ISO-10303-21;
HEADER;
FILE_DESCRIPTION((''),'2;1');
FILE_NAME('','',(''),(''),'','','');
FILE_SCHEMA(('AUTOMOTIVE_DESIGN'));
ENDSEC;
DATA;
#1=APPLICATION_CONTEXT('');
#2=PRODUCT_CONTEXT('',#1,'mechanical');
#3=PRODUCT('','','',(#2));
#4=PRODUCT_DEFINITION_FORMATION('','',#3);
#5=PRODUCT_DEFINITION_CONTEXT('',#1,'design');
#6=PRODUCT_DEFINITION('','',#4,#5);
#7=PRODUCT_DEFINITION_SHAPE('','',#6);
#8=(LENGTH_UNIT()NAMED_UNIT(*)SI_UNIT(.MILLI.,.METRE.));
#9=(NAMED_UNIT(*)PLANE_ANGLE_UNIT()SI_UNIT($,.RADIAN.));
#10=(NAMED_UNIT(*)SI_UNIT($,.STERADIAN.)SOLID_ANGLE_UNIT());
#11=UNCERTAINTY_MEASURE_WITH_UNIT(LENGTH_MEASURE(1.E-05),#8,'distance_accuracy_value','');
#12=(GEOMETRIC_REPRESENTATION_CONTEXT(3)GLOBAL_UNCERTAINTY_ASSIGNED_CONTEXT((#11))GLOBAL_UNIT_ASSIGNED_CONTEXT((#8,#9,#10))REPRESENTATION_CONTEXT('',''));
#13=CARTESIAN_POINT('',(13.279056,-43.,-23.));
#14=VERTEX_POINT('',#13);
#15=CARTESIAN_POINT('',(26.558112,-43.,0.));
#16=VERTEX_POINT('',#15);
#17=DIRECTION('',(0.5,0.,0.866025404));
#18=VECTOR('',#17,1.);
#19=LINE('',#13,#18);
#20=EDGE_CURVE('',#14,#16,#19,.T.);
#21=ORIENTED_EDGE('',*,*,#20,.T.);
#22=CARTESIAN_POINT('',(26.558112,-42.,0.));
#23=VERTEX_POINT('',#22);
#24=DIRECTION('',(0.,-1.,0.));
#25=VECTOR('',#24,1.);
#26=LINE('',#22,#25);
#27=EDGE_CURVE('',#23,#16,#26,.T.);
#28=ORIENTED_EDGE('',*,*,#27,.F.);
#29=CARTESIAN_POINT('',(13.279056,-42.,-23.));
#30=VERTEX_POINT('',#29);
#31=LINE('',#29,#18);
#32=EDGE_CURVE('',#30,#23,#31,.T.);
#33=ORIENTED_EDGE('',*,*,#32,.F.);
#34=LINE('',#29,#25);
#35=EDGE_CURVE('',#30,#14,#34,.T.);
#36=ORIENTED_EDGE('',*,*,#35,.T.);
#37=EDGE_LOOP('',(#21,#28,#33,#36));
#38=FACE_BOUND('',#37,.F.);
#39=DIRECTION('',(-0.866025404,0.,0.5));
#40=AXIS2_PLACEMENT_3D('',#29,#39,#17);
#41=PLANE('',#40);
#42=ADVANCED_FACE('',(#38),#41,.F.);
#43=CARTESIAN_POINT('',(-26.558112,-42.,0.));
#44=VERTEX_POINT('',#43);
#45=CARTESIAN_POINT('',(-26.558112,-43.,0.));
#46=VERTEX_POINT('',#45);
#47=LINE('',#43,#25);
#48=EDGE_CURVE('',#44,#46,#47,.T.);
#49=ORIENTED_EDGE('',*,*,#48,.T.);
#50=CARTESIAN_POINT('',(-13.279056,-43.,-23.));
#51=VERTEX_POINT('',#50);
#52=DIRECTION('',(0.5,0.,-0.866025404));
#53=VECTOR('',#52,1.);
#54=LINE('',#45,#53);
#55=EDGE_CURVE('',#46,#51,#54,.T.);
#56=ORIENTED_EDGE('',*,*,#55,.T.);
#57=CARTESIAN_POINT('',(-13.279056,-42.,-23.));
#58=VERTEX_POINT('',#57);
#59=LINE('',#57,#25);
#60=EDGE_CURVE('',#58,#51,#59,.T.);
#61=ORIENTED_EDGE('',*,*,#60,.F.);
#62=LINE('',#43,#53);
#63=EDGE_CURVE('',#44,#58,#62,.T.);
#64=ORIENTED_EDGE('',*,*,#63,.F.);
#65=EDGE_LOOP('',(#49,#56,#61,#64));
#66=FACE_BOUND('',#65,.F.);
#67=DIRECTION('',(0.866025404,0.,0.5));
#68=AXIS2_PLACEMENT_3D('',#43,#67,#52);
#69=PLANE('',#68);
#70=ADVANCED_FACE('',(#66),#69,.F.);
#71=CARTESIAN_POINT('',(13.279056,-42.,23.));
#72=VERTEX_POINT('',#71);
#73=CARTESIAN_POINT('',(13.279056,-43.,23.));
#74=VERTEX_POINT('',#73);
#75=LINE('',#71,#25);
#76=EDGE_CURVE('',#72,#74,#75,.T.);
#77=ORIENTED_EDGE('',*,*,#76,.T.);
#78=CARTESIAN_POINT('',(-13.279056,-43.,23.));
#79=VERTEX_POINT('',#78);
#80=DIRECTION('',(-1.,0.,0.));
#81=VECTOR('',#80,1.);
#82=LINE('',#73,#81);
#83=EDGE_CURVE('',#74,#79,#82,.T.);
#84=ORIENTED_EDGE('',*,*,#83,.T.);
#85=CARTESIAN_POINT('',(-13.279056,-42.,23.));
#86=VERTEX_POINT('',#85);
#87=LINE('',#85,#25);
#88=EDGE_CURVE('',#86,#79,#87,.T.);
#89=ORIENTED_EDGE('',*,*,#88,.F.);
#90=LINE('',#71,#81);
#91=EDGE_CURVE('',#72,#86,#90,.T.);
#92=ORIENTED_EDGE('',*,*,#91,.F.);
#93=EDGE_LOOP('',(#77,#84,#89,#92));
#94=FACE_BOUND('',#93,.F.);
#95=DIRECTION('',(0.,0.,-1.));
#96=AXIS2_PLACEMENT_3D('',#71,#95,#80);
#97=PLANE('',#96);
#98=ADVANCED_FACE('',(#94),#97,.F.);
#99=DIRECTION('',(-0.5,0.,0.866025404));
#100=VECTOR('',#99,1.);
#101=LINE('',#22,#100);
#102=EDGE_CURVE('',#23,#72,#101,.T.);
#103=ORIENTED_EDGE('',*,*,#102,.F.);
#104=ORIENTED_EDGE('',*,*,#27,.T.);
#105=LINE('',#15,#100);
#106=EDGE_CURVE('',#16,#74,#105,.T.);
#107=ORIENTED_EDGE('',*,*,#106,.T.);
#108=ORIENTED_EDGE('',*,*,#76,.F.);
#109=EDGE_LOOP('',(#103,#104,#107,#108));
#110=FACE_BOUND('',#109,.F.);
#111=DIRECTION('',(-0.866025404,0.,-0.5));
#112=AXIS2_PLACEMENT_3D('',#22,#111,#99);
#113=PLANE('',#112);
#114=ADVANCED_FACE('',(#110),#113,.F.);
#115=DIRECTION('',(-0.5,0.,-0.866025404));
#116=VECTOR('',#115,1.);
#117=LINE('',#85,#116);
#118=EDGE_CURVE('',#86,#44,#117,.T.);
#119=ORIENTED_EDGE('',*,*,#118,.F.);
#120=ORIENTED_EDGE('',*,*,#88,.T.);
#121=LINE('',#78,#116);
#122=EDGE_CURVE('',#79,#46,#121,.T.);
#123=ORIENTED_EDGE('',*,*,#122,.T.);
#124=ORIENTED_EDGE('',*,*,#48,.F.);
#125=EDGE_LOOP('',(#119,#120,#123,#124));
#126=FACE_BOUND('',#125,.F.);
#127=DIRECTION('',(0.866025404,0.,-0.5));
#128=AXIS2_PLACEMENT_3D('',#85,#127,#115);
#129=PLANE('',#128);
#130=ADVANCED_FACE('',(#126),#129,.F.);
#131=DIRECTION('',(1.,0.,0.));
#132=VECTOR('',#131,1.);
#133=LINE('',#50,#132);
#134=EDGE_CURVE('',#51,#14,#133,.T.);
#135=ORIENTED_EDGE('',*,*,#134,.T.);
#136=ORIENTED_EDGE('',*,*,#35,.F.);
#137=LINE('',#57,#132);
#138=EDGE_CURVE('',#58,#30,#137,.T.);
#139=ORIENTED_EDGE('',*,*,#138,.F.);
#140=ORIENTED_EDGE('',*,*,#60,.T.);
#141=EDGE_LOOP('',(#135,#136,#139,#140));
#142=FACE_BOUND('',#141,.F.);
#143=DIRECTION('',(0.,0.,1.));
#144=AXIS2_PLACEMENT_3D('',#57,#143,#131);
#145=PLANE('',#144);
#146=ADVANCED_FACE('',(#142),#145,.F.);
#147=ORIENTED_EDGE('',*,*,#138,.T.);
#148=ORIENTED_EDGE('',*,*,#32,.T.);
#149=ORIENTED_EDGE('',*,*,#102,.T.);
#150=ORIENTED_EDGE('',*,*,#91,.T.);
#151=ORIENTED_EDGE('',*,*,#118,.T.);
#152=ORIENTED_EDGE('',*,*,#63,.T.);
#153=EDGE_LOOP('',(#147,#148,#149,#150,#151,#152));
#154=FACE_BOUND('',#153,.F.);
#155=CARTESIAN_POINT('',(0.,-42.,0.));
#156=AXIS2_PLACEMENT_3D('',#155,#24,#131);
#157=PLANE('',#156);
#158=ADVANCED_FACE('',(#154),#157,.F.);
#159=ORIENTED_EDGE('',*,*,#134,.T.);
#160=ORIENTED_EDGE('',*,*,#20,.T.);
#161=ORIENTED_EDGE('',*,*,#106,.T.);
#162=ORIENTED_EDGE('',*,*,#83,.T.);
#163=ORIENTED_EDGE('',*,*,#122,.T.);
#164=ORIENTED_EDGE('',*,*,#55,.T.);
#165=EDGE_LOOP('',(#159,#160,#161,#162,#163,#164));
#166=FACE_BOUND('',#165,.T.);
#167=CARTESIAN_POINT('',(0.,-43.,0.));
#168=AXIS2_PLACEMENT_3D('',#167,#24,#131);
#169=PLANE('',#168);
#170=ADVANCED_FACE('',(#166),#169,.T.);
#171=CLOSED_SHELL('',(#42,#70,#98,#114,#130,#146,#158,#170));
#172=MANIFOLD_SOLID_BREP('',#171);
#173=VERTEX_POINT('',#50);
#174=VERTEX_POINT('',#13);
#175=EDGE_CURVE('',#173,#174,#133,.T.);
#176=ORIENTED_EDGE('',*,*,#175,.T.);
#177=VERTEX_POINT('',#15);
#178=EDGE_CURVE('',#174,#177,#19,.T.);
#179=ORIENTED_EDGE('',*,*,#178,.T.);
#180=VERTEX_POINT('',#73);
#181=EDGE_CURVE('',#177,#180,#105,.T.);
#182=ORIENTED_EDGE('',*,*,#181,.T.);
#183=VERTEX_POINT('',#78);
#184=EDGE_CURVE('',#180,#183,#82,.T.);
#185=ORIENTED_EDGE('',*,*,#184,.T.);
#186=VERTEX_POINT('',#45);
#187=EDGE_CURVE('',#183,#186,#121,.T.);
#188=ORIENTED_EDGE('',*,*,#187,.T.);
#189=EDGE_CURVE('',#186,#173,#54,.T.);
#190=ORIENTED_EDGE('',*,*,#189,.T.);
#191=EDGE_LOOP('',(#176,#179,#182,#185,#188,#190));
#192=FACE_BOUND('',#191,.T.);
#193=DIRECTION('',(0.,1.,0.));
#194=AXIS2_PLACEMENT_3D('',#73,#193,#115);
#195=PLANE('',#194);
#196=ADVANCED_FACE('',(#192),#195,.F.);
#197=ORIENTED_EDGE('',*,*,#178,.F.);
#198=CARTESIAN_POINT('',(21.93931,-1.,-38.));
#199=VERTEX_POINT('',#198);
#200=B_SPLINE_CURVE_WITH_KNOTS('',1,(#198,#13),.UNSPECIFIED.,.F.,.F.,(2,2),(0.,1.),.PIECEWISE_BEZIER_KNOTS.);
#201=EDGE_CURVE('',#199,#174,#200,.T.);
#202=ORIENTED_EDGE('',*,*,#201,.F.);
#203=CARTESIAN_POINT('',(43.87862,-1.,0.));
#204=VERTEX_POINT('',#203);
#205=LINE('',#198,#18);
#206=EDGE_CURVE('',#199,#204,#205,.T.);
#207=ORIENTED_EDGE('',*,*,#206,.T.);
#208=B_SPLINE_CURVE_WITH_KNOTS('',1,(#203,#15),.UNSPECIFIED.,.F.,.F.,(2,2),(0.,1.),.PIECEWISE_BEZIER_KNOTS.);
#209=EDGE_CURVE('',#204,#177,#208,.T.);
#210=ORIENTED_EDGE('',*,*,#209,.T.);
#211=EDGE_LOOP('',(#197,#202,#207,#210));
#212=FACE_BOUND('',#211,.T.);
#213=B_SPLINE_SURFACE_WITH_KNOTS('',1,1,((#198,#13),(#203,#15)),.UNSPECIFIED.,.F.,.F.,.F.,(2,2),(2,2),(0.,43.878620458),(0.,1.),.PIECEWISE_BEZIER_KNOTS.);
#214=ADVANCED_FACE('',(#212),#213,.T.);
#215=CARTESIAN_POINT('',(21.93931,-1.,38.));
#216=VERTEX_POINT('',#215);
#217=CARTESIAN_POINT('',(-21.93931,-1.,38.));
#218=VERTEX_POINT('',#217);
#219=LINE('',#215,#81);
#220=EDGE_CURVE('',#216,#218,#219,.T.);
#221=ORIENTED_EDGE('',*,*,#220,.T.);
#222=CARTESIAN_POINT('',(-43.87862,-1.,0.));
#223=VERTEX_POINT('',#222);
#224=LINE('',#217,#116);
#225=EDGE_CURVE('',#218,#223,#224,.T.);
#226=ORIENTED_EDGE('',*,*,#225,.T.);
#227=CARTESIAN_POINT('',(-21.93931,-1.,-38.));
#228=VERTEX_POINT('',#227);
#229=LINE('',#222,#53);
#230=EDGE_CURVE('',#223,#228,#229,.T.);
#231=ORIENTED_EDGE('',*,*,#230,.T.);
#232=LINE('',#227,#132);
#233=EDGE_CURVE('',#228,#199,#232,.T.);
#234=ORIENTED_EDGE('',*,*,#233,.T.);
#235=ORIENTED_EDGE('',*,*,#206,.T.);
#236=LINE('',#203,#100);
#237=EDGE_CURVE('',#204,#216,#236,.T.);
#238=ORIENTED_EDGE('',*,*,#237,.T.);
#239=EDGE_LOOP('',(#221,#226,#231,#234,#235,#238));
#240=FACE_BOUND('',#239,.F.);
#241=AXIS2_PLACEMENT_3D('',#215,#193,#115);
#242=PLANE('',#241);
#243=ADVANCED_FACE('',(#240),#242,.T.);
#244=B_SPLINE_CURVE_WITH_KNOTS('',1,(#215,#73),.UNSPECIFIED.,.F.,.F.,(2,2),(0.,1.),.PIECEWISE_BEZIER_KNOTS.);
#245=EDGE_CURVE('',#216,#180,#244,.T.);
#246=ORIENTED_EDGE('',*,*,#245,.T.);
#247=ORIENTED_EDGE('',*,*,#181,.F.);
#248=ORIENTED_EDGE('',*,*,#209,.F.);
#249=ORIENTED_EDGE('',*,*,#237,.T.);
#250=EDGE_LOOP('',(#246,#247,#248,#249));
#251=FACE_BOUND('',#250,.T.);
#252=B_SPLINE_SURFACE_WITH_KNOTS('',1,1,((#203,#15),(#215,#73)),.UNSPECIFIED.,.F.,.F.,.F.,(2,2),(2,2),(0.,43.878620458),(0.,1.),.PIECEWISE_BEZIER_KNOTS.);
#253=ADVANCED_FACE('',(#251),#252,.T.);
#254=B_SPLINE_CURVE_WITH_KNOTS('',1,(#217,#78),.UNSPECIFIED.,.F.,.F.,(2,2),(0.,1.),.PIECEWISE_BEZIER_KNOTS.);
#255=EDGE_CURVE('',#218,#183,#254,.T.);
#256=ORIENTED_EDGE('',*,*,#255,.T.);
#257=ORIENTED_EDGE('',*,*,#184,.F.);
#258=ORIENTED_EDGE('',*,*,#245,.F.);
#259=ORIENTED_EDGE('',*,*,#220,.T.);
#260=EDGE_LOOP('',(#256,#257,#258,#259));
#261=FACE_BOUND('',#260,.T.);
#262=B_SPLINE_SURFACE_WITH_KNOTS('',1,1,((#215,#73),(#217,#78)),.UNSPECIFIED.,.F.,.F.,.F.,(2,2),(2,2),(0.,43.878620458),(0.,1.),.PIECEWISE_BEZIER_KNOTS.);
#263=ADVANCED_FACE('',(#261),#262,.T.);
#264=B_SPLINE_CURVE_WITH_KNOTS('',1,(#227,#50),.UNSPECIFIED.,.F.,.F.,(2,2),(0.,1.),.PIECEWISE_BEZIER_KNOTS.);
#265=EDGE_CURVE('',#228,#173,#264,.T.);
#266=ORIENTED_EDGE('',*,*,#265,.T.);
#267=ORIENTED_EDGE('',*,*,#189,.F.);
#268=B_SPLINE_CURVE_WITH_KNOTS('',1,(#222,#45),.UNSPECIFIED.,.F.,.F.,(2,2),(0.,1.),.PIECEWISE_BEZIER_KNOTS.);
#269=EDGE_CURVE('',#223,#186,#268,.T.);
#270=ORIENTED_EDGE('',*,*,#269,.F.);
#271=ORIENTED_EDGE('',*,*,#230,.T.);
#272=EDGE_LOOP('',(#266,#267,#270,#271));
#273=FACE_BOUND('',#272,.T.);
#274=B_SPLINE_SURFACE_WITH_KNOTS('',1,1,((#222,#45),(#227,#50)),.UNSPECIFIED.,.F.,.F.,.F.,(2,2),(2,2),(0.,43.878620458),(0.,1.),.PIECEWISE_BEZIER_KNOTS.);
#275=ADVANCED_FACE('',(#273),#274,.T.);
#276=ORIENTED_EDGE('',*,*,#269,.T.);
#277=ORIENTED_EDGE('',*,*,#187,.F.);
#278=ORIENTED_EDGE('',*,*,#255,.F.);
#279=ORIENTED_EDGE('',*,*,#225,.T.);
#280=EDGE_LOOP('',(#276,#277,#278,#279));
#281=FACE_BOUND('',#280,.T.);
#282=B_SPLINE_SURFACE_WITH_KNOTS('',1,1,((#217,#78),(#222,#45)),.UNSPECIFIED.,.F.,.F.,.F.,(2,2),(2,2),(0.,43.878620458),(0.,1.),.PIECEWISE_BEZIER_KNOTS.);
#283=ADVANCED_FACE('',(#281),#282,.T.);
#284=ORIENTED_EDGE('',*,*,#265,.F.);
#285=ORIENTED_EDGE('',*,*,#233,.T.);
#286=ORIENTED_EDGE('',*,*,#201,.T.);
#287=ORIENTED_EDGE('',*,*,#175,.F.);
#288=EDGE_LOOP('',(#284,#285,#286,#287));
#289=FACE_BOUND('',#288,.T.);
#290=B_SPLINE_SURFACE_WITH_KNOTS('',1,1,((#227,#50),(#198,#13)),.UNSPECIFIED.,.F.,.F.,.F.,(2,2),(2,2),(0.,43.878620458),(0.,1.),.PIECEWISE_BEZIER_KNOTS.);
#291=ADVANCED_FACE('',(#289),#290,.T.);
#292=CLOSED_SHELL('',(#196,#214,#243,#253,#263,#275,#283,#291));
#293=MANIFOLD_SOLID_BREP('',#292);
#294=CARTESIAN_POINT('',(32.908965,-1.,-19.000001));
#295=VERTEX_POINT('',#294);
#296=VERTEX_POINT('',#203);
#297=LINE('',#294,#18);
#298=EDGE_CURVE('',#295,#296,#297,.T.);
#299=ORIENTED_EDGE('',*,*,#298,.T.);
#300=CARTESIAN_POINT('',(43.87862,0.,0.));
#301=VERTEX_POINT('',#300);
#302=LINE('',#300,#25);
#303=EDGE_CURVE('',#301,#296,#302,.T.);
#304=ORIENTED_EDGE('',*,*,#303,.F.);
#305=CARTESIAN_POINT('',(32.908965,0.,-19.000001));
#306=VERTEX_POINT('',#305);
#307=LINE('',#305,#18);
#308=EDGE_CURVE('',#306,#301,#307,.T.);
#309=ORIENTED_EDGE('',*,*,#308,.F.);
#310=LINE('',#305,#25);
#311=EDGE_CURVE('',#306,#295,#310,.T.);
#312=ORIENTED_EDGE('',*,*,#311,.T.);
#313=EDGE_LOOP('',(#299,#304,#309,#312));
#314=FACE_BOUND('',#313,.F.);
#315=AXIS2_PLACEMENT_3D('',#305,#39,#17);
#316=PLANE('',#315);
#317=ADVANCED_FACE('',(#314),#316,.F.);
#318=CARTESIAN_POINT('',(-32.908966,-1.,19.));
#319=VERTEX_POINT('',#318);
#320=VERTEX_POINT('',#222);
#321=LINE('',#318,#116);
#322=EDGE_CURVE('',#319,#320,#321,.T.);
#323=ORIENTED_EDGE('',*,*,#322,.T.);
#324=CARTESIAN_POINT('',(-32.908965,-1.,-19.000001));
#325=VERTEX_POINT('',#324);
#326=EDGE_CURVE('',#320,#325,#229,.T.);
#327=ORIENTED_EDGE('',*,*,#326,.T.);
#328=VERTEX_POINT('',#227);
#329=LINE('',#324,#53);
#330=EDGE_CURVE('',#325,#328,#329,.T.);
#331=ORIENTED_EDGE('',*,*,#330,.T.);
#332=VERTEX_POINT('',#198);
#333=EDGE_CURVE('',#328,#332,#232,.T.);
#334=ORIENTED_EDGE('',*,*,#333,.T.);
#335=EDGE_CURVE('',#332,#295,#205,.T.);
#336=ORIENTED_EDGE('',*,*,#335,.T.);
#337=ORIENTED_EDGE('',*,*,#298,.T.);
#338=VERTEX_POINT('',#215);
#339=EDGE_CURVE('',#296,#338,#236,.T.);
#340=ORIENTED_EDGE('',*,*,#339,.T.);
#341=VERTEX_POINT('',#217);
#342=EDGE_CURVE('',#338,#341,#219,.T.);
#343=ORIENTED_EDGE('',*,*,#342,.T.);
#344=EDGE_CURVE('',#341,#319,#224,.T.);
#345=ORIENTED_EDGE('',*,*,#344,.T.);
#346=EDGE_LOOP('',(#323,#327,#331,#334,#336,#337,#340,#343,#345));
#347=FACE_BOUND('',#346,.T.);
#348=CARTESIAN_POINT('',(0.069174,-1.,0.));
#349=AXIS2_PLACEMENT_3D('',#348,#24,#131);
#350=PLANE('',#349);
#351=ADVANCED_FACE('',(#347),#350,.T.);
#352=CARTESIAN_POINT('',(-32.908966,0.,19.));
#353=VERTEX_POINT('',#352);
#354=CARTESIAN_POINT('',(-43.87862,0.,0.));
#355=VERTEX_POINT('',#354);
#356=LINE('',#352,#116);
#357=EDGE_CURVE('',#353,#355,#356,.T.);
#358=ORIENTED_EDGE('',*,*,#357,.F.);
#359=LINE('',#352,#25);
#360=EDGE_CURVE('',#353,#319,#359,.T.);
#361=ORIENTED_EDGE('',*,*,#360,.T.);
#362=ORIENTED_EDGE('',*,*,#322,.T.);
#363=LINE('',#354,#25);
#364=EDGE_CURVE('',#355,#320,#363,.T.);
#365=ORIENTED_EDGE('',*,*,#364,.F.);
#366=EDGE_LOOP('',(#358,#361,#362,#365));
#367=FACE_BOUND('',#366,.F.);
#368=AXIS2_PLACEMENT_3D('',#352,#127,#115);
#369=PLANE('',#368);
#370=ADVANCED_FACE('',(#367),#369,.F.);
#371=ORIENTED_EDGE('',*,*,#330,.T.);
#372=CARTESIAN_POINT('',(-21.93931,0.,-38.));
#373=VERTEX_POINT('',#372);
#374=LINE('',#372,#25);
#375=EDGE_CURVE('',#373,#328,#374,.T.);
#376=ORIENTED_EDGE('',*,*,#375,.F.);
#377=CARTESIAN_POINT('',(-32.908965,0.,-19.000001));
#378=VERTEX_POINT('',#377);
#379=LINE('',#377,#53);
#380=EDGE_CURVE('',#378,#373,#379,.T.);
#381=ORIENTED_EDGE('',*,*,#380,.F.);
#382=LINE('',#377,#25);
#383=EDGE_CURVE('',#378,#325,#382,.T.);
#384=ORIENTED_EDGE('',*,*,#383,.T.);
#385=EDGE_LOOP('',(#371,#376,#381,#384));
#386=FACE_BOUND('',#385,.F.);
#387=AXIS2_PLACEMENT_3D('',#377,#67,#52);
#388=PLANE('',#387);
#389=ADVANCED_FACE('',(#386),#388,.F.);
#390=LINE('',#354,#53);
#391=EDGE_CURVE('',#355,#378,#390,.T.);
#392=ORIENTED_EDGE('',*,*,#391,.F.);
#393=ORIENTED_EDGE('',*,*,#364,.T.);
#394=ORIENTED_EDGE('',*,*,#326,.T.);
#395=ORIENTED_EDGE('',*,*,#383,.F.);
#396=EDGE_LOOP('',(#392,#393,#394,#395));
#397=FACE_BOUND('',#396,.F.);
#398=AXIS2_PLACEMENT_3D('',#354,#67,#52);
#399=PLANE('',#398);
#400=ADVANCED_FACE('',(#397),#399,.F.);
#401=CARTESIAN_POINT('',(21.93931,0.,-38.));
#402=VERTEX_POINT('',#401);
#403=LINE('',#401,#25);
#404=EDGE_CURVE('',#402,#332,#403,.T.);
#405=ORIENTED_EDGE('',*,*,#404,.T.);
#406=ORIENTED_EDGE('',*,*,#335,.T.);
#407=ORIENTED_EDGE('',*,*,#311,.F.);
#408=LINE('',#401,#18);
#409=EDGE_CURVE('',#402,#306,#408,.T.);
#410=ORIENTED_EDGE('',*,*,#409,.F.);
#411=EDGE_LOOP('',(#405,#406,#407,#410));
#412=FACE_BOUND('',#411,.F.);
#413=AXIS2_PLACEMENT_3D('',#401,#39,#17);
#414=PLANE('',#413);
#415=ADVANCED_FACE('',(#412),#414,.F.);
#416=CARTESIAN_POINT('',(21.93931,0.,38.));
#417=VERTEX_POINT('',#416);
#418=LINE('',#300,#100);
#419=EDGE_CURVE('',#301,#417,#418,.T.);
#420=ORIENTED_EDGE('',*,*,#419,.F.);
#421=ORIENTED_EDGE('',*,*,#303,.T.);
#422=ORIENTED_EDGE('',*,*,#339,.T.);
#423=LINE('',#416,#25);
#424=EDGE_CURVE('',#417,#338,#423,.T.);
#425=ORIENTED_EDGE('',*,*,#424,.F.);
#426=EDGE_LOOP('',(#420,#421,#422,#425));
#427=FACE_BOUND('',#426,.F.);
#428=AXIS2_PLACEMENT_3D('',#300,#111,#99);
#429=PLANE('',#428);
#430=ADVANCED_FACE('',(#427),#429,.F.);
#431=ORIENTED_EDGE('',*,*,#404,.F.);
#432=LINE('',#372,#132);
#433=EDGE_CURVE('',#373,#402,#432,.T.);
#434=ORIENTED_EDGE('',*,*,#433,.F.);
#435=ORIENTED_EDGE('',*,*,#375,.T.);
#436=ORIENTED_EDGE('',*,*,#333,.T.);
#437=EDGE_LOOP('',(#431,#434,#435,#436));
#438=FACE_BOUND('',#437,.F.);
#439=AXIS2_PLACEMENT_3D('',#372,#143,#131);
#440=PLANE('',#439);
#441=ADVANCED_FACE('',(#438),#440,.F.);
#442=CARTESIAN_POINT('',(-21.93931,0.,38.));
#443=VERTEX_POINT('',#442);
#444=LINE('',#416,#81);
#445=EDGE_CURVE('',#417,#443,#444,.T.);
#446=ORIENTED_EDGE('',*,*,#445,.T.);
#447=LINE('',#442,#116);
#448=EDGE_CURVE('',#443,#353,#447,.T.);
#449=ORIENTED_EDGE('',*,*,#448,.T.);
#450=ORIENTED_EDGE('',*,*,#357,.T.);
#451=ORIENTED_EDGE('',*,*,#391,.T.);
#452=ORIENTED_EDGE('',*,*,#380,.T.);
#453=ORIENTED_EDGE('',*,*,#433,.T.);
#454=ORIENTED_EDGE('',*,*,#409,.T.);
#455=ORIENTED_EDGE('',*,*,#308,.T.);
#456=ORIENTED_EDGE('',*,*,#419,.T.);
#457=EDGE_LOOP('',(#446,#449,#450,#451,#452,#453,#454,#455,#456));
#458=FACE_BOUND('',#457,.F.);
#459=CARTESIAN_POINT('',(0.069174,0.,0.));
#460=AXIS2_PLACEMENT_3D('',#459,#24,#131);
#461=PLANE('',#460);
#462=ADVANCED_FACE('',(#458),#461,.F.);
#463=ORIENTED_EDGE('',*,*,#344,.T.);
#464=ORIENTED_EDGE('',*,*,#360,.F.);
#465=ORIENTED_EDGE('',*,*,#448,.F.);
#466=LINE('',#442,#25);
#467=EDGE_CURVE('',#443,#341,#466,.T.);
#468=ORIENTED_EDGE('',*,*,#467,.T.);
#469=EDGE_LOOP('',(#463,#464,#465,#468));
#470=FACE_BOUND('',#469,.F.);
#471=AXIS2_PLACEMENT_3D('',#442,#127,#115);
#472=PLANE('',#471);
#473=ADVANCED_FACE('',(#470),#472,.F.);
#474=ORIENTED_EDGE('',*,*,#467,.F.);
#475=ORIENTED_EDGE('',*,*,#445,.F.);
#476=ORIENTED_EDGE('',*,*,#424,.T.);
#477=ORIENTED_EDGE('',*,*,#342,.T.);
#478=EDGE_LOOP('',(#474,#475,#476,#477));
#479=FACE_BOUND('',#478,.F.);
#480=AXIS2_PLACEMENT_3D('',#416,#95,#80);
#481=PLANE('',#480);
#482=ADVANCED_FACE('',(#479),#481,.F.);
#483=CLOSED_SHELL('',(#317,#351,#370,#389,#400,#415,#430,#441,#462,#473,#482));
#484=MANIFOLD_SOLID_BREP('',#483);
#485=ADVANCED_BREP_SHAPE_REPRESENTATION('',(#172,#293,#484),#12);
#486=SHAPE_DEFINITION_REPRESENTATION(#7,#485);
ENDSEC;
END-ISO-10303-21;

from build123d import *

# Parameters (mm, degrees)
F1_DEPTH = 1
F4_DEPTH = 1


with BuildPart() as f1:
    # F0 (on Front) → F1 (new body)
    with BuildSketch(Plane.XZ):
        with BuildLine():
            ThreePointArc((32.9089649593, -19.0000006659), (36.7051812995, -9.8351240853), (38, 0))
            ThreePointArc((38, 0), (36.7051814771, 9.8351234225), (32.9089656454, 18.9999994776))
            ThreePointArc((32.9089656454, 18.9999994776), (19.0000002592, 32.9089651942), (-4.7e-09, 38))
            ThreePointArc((-4.7e-09, 38), (-19.0000001839, 32.9089652376), (-32.9089655538, 18.9999996362))
            ThreePointArc((-32.9089655538, 18.9999996362), (-38, -7.627e-07), (-32.9089647912, -19.0000009572))
            ThreePointArc((-32.9089647912, -19.0000009572), (-18.9999995214, -32.9089656201), (0, -38))
            ThreePointArc((0, -38), (18.999999667, -32.908965536), (32.9089649593, -19.0000006659))
        make_face()
        with BuildLine():
            ThreePointArc((32.9089656454, 18.9999994776), (36.7051814771, 9.8351234225), (38, 0))
            ThreePointArc((38, 0), (36.7051812995, -9.8351240853), (32.9089649593, -19.0000006659))
            Line((32.9089649593, -19.0000006659), (43.8786204584, 0))
            Line((43.8786204584, 0), (32.9089656454, 18.9999994776))
        make_face()
        with BuildLine():
            ThreePointArc((-4.7e-09, 38), (19.0000002592, 32.9089651942), (32.9089656454, 18.9999994776))
            Line((32.9089656454, 18.9999994776), (21.9393102292, 38))
            Line((21.9393102292, 38), (-4.7e-09, 38))
        make_face()
        with BuildLine():
            Line((21.9393102292, -38), (32.9089649593, -19.0000006659))
            ThreePointArc((32.9089649593, -19.0000006659), (18.999999667, -32.908965536), (0, -38))
            Line((0, -38), (21.9393102292, -38))
        make_face()
        with BuildLine():
            ThreePointArc((-32.9089655538, 18.9999996362), (-19.0000001839, 32.9089652376), (-4.7e-09, 38))
            Line((-4.7e-09, 38), (-21.9393102292, 38))
            Line((-21.9393102292, 38), (-32.9089655538, 18.9999996362))
        make_face()
        with BuildLine():
            Line((-21.9393102292, -38), (0, -38))
            ThreePointArc((0, -38), (-18.9999995214, -32.9089656201), (-32.9089647912, -19.0000009572))
            Line((-32.9089647912, -19.0000009572), (-21.9393102292, -38))
        make_face()
        with BuildLine():
            ThreePointArc((-32.9089647912, -19.0000009572), (-38, -7.627e-07), (-32.9089655538, 18.9999996362))
            Line((-32.9089655538, 18.9999996362), (-43.8786204584, 0))
            Line((-43.8786204584, 0), (-32.9089647912, -19.0000009572))
        make_face()
    extrude(amount=F1_DEPTH)


with BuildPart() as f4:
    # F3 (on offset) → F4 (new body)
    with BuildSketch(Plane.XZ.offset(42)):
        Polygon((13.2790561914, 23), (-13.2790561914, 23), (-26.5581123827, 0), (-13.2790561914, -23), (13.2790561914, -23), (26.5581123827, 0), align=None)
    extrude(amount=F4_DEPTH)


with BuildPart() as f7:
    # F5 (on face) → F7 section 0
    with BuildSketch(Plane.XZ.offset(1)):
        Polygon((21.9393102292, 38), (-21.9393102292, 38), (-43.8786204584, 0), (-21.9393102292, -38), (21.9393102292, -38), (43.8786204584, 0), align=None)
    # F6 (on face) → F7 section 1
    with BuildSketch(Plane.XZ.offset(43)):
        Polygon((13.2790561914, 23), (-13.2790561914, 23), (-26.5581123827, 0), (-13.2790561914, -23), (13.2790561914, -23), (26.5581123827, 0), align=None)
    loft()


solid = Compound([f1.part, f4.part, f7.part])
